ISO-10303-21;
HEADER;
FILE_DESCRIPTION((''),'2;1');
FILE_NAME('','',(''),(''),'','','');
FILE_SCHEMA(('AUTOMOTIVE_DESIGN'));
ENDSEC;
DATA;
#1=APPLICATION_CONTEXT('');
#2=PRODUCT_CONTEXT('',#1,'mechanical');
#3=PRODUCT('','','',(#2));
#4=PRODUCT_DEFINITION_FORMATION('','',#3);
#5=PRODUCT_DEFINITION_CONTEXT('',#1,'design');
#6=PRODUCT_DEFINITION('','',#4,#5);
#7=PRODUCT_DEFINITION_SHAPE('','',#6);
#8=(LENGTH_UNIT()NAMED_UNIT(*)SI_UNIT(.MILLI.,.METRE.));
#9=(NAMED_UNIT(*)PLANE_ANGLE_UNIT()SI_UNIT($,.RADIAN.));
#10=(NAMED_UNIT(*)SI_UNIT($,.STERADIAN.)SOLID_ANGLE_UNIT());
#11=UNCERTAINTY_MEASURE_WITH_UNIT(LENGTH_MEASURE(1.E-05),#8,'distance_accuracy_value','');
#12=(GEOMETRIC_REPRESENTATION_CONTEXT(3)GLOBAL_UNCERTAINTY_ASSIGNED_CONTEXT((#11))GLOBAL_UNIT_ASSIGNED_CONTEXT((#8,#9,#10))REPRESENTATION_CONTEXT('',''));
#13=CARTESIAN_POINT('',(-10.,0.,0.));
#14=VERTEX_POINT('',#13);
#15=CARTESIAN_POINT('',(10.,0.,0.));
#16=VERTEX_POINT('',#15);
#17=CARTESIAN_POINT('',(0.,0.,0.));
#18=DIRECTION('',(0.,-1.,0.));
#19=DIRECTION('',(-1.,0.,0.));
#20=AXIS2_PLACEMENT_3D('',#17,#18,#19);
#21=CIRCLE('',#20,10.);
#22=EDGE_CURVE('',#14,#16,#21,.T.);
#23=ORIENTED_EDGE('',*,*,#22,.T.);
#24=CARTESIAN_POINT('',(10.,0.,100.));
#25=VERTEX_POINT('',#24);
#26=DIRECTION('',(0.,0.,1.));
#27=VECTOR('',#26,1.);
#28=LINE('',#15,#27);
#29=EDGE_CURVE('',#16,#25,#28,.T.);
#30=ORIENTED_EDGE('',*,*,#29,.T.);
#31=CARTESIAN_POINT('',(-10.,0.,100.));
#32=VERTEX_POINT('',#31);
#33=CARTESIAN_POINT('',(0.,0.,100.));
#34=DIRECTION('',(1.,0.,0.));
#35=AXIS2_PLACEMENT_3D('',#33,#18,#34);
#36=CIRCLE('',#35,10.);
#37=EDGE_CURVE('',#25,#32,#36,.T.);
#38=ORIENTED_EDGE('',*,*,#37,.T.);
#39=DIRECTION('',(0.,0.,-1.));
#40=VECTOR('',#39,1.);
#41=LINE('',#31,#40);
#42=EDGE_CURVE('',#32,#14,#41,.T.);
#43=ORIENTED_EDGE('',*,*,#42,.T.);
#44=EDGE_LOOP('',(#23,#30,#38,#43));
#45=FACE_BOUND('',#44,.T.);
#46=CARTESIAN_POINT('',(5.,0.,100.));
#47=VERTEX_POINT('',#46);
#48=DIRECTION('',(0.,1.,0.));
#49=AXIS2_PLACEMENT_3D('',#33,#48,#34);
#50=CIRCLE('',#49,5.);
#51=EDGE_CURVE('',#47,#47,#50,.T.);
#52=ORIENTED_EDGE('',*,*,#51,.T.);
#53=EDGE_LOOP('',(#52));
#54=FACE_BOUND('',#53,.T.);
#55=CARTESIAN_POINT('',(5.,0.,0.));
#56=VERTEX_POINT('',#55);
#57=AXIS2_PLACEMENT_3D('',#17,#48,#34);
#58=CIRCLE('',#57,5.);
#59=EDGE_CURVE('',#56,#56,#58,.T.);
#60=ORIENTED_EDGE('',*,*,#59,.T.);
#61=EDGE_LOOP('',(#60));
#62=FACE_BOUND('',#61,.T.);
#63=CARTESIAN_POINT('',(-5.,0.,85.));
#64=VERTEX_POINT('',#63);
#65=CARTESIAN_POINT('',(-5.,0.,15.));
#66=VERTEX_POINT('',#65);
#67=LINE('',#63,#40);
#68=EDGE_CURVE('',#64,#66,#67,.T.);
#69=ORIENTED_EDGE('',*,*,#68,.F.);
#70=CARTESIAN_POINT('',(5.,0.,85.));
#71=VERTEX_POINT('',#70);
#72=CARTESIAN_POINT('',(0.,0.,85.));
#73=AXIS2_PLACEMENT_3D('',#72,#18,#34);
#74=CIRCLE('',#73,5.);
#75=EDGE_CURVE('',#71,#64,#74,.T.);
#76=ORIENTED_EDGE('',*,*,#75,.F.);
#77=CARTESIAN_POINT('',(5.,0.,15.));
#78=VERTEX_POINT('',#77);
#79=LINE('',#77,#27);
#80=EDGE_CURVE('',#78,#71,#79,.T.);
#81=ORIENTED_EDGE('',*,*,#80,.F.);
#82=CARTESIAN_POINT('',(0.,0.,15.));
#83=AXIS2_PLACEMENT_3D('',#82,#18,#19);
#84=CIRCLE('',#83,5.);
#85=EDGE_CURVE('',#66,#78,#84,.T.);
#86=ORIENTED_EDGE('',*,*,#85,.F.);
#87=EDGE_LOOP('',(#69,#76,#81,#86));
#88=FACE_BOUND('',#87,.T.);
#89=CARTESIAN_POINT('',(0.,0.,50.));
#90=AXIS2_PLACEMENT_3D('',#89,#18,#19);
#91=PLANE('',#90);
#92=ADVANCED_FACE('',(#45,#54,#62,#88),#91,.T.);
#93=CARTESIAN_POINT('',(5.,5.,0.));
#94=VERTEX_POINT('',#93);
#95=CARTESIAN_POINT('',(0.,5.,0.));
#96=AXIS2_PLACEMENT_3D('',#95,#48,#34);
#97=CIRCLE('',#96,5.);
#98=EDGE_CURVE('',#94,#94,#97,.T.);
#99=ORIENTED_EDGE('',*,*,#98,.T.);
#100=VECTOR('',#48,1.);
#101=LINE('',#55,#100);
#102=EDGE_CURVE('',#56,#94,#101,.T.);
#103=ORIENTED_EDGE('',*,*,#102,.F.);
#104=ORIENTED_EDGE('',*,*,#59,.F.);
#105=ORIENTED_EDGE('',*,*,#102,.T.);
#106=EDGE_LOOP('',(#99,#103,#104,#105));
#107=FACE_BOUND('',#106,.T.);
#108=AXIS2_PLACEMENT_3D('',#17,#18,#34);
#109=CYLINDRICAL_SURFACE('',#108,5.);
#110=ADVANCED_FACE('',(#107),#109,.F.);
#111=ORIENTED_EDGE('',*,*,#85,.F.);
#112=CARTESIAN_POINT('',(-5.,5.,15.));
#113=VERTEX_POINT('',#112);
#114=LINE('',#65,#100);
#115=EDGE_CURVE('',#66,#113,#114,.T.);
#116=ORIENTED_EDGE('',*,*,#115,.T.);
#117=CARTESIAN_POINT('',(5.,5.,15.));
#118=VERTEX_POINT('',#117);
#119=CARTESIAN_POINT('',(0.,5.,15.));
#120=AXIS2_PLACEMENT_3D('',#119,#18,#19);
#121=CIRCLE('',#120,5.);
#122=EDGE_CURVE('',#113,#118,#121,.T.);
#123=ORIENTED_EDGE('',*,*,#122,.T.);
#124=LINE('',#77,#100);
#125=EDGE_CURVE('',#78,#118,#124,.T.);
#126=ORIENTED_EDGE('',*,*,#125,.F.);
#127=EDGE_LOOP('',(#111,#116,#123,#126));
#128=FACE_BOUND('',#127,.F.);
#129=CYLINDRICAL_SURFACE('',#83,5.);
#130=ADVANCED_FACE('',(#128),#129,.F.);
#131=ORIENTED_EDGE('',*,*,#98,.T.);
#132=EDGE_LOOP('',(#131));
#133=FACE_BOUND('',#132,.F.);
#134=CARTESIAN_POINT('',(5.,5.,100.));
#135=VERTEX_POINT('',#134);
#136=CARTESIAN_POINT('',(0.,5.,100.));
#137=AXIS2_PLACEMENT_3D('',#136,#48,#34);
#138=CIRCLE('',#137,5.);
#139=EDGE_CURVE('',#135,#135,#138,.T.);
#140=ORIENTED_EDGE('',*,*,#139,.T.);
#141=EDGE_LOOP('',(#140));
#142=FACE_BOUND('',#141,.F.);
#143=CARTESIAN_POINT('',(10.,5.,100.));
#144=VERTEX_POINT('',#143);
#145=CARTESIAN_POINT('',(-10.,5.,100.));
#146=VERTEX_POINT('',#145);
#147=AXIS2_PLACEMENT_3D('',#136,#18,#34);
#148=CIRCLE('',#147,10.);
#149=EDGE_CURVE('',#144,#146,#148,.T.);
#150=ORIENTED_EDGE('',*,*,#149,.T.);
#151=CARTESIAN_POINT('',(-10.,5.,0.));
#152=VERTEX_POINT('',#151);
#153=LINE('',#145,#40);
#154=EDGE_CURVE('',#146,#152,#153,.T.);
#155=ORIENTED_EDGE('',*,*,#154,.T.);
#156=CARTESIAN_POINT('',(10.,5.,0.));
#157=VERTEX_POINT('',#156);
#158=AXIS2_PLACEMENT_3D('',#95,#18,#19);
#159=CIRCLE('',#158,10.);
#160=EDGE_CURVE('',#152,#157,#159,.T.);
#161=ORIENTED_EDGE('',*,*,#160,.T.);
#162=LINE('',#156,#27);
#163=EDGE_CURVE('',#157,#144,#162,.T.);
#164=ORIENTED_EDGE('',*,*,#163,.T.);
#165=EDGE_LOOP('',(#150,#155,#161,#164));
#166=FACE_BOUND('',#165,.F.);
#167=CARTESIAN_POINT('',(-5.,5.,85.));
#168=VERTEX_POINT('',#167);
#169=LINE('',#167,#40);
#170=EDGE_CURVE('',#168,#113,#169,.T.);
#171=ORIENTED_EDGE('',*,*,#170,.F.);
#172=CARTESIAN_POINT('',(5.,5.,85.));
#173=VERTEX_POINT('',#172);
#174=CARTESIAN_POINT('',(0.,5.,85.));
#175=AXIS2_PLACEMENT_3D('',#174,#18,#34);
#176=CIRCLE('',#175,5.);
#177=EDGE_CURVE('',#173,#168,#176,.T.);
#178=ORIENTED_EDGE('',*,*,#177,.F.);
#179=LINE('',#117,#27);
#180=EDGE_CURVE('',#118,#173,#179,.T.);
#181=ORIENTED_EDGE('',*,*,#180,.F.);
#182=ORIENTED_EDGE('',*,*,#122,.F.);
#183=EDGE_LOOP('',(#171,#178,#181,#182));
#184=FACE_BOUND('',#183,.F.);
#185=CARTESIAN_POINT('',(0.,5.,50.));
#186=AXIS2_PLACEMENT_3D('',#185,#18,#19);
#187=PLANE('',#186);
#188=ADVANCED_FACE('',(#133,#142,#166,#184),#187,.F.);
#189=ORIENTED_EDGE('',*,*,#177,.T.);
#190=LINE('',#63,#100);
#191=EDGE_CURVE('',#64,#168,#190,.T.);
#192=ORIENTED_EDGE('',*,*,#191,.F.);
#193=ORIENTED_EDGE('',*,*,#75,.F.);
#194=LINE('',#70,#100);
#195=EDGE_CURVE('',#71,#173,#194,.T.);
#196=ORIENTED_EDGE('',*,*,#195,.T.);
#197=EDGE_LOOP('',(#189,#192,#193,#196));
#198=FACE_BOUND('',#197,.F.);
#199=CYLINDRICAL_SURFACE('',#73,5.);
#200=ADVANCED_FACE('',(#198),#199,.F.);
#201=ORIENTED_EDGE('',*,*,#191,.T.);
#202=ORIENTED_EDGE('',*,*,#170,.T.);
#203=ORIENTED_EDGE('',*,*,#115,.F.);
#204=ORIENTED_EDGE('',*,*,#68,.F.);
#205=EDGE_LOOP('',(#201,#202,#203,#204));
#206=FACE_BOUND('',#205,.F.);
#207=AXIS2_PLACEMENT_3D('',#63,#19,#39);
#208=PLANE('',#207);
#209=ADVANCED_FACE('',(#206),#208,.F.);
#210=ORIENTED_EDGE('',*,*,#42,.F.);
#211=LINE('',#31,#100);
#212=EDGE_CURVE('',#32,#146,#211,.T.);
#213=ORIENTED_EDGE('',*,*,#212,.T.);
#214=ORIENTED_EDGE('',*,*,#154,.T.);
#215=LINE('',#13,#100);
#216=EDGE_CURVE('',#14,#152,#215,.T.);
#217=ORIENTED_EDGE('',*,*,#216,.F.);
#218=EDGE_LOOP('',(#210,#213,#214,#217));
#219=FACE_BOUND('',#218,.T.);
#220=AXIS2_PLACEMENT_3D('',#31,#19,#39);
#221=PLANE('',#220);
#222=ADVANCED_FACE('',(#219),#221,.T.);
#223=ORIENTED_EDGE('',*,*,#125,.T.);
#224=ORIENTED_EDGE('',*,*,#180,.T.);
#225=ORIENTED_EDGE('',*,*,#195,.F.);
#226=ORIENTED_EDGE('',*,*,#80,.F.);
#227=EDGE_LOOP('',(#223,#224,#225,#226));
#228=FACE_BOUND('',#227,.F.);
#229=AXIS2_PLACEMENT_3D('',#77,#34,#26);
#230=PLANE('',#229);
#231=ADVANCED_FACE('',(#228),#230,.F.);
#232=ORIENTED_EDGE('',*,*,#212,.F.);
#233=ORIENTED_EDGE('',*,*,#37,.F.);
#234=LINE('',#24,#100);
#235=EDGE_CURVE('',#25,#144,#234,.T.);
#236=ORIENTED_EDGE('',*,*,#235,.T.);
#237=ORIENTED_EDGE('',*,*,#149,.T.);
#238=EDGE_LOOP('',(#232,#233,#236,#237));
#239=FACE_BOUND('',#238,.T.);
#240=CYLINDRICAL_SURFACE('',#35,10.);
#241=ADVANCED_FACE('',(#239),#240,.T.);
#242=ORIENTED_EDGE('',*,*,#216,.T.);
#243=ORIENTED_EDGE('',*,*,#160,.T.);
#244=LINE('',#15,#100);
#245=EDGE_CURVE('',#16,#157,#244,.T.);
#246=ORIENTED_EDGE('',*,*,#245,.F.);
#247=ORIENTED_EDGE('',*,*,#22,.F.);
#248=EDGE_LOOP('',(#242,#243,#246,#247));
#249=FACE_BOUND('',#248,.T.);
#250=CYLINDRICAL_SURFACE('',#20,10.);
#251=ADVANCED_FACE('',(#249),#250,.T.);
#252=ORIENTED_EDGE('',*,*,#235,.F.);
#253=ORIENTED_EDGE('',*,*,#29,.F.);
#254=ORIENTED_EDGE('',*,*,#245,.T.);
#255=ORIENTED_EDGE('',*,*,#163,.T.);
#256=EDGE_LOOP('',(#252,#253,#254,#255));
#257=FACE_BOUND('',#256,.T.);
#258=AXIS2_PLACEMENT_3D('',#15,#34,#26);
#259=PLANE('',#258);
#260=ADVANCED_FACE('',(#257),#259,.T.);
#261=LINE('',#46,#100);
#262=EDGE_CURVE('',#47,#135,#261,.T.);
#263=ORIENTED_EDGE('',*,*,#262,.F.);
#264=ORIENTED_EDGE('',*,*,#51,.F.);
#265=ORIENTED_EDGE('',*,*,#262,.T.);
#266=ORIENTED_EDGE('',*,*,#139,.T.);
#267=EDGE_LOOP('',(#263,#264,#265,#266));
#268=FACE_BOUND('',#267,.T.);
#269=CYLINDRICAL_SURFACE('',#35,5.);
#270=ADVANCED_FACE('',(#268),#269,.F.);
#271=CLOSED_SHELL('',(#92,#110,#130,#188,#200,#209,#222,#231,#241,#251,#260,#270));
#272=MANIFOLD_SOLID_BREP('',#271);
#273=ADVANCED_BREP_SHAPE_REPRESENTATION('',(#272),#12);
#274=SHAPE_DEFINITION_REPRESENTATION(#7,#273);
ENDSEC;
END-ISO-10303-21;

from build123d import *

# Parameters (mm, degrees)
SKETCH2_R           = 5
BOSS_EXTRUDE1_DEPTH = 5


with BuildPart() as part:
    # Sketch2 → Boss-Extrude1 (new body)
    with BuildSketch(Plane(origin=(0, 0, 0), x_dir=(1, 0, 0), z_dir=(0, 1, 0))):
        with BuildLine():
            Line((10, 0), (10, -100))
            ThreePointArc((10, -100), (0, -110), (-10, -100))
            Line((-10, -100), (-10, 0))
            ThreePointArc((-10, 0), (0, 10), (10, 0))
        make_face()
        Circle(SKETCH2_R, mode=Mode.SUBTRACT)
        with Locations((0, -100)):
            Circle(SKETCH2_R, mode=Mode.SUBTRACT)
        with BuildLine():
            Line((5, -15), (5, -85))
            ThreePointArc((5, -85), (0, -90), (-5, -85))
            Line((-5, -85), (-5, -15))
            ThreePointArc((-5, -15), (0, -10), (5, -15))
        make_face(mode=Mode.SUBTRACT)
    extrude(amount=BOSS_EXTRUDE1_DEPTH)


solid = part.part
